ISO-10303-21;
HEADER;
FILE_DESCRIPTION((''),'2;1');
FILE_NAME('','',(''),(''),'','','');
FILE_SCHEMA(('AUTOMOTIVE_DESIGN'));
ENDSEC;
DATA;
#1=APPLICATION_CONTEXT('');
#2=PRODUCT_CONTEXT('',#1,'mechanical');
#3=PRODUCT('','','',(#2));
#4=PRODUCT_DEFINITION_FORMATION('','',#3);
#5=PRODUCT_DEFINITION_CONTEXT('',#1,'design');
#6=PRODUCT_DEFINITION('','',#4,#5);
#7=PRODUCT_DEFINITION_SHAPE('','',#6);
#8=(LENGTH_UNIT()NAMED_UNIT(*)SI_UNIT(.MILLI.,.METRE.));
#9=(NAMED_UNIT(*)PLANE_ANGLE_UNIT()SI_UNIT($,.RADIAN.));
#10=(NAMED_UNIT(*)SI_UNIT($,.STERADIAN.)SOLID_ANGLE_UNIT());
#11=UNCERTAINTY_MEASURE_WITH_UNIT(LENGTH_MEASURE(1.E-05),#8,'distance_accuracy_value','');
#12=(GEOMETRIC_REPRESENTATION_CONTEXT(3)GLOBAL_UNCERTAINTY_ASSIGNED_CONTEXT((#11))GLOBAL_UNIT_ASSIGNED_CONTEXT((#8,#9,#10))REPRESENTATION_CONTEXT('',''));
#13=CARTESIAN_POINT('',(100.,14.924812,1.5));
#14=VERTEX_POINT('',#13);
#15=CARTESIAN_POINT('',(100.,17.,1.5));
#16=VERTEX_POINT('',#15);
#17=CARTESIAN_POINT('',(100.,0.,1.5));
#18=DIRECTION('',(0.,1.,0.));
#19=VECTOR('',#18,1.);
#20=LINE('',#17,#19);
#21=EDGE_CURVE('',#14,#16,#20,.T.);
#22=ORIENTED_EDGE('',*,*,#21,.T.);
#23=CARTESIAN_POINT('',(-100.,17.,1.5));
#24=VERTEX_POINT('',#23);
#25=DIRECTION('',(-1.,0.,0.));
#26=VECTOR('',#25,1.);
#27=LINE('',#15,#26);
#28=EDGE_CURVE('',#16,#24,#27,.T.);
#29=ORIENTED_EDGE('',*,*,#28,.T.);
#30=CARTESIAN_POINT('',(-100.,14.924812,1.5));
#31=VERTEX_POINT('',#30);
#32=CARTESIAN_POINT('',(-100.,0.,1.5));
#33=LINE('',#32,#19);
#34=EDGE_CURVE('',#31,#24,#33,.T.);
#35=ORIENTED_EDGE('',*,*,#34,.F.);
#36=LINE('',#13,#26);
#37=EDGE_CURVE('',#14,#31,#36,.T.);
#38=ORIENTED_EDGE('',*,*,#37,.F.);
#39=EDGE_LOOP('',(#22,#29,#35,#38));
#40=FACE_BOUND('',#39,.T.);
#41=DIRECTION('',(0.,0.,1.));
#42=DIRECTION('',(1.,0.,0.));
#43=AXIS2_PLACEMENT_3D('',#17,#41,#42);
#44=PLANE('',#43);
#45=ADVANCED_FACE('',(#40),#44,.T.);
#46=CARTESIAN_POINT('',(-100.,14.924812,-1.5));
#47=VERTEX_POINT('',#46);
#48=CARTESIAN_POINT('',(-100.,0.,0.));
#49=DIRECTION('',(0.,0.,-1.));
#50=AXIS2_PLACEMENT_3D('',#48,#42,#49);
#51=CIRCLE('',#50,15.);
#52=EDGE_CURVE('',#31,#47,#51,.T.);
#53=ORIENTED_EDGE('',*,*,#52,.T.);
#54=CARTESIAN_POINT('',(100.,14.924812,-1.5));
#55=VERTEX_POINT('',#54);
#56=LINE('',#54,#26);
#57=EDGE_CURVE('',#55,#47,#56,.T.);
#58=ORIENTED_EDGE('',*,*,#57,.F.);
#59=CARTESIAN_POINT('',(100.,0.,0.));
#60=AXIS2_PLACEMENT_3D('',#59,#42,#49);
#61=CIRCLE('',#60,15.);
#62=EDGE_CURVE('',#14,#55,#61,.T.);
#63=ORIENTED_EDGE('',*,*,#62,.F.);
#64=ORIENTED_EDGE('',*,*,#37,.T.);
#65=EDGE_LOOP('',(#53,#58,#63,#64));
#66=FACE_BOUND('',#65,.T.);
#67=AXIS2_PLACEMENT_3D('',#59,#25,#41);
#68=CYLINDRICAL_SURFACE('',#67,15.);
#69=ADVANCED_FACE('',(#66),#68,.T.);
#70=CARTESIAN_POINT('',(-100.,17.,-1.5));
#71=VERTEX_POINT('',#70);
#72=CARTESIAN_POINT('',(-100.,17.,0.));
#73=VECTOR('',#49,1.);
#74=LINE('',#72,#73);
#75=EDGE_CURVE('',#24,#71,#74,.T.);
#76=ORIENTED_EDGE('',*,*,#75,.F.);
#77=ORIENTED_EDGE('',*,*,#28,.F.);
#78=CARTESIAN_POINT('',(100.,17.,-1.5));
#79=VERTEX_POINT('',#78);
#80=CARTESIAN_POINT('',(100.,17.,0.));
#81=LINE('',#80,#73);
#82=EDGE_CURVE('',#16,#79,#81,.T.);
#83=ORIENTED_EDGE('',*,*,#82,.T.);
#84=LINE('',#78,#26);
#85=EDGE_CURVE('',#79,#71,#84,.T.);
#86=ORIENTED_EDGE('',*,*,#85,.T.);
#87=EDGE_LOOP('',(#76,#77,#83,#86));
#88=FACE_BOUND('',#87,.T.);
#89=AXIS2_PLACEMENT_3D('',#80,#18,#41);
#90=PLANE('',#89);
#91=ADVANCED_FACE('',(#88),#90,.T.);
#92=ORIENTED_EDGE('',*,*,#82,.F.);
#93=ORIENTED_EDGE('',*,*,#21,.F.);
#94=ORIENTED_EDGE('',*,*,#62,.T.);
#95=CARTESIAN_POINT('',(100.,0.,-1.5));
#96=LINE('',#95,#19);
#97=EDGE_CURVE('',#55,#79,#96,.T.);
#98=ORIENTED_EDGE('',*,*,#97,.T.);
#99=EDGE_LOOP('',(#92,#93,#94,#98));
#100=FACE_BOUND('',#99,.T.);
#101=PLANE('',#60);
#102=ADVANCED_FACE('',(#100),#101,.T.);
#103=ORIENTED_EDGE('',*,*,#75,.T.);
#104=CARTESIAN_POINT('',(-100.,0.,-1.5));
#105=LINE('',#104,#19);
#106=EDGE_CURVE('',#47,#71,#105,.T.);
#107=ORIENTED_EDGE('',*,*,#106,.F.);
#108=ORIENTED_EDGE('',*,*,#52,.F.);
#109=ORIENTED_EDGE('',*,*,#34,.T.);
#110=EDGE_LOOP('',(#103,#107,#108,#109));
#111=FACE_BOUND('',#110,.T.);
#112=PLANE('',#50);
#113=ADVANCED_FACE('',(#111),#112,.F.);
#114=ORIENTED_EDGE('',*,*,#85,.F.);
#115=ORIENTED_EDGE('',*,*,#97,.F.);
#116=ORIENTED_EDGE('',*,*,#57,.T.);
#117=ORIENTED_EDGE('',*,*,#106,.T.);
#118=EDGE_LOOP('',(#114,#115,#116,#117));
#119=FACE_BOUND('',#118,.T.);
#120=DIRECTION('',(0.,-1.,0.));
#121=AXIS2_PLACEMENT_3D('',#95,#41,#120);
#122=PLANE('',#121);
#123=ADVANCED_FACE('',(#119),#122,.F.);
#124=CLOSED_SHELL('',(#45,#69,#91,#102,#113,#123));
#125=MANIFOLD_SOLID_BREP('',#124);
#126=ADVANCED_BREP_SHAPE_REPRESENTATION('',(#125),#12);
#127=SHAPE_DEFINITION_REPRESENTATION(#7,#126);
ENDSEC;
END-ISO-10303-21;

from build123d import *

# Parameters (mm, degrees)
EXTRUDE_1_DEPTH = 100


with BuildPart() as part:
    # 草图1 → 凸台-拉伸1 (new, symmetric)
    with BuildSketch(Plane(origin=(0, 0, 0), x_dir=(0, 0, -1), z_dir=(1, 0, 0))):
        with BuildLine():
            Line((-1.5, 14.924811557), (-1.5, 0))
            Line((-1.5, 0), (1.5, 0))
            Line((1.5, 0), (1.5, 14.924811557))
            ThreePointArc((1.5, 14.924811557), (0, 15), (-1.5, 14.924811557))
        make_face()
        with BuildLine():
            Line((1.5, 0), (-1.5, 0))
            Line((-1.5, 0), (-1.5, 14.924811557))
            ThreePointArc((-1.5, 14.924811557), (-10.062305899, -11.124297731), (15, 0))
            ThreePointArc((15, 0), (11.124297731, 10.062305899), (1.5, 14.924811557))
            Line((1.5, 14.924811557), (1.5, 0))
        make_face()
        with BuildLine():
            Line((-1.5, 17), (-1.5, 14.924811557))
            ThreePointArc((-1.5, 14.924811557), (0, 15), (1.5, 14.924811557))
            Line((1.5, 14.924811557), (1.5, 17))
            Line((1.5, 17), (-1.5, 17))
        make_face()
    extrude(amount=EXTRUDE_1_DEPTH, both=True)


solid = part.part
